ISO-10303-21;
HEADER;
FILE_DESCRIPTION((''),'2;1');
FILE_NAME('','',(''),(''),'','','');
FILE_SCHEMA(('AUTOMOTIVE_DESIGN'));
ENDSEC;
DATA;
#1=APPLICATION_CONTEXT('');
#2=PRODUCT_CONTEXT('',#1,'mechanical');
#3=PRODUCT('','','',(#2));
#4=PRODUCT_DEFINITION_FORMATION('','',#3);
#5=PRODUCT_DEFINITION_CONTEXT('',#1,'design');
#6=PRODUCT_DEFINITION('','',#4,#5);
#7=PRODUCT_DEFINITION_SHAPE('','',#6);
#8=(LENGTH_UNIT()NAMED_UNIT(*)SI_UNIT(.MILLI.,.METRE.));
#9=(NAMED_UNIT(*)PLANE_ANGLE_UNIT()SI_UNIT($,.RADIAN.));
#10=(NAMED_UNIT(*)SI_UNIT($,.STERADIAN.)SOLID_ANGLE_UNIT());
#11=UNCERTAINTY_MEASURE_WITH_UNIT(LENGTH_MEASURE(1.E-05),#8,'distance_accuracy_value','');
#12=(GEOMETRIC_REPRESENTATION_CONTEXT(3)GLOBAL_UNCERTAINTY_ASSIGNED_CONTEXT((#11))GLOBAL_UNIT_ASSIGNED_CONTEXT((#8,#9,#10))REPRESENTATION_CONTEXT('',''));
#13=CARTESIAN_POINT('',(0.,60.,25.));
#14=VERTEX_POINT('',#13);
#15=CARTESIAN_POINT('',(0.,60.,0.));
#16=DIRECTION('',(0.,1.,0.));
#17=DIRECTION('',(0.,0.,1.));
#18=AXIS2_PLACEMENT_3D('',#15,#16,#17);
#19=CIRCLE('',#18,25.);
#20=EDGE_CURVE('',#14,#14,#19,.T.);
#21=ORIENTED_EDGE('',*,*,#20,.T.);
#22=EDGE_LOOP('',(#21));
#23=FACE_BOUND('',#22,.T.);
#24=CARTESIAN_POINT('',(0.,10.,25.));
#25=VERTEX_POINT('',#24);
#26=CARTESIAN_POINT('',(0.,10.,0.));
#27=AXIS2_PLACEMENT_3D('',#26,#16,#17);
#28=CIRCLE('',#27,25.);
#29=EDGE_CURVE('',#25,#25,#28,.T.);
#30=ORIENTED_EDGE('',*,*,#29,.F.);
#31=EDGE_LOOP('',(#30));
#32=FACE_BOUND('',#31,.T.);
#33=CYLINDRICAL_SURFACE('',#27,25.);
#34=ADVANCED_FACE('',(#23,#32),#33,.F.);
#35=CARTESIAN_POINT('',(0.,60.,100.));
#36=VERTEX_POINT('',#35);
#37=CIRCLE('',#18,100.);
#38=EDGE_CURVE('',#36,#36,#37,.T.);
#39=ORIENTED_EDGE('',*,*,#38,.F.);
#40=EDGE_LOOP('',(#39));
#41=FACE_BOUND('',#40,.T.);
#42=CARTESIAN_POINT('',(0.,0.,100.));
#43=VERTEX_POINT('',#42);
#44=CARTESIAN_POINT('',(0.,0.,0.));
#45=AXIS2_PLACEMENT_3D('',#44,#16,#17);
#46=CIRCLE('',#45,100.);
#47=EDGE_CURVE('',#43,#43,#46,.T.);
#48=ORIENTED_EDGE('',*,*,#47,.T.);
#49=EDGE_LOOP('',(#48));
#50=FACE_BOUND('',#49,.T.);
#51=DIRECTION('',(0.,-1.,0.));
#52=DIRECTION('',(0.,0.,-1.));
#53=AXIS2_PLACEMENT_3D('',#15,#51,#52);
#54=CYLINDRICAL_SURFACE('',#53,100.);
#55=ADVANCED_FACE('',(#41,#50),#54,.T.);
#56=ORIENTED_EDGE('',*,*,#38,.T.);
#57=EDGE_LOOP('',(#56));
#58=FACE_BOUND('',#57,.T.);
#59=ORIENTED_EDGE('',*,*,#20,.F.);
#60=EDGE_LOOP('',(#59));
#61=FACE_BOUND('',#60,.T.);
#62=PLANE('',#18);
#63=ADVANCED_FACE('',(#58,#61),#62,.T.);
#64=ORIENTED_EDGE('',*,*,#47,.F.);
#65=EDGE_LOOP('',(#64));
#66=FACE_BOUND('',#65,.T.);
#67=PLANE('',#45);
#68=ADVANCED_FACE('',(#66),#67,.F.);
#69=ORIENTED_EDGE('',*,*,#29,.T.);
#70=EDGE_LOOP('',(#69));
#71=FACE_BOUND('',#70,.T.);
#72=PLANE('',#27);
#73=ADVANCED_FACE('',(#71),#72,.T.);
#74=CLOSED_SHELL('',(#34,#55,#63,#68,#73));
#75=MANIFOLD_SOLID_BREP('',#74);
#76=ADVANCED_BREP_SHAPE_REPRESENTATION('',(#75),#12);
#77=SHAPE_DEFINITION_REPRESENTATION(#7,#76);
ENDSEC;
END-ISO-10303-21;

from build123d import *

# Parameters (mm, degrees)
SKETCH1_R           = 100
BOSS_EXTRUDE1_DEPTH = 60
SKETCH2_R           = 25
CUT_EXTRUDE1_DEPTH  = 50


with BuildPart() as part:
    # Sketch1 → Boss-Extrude1 (new body)
    with BuildSketch(Plane(origin=(0, 0, 0), x_dir=(1, 0, 0), z_dir=(0, 1, 0))):
        with Locations(Location((0, 0, 0), (0, 0, 270))):
            Circle(SKETCH1_R)
    extrude(amount=BOSS_EXTRUDE1_DEPTH)

    # Sketch2 → Cut-Extrude1 (cut)
    with BuildSketch(Plane(origin=(0, 60, 0), x_dir=(1, 0, 0), z_dir=(0, 1, 0))):
        with Locations(Location((0, 0, 0), (0, 0, 270))):
            Circle(SKETCH2_R)
    extrude(amount=-CUT_EXTRUDE1_DEPTH, mode=Mode.SUBTRACT)


solid = part.part
